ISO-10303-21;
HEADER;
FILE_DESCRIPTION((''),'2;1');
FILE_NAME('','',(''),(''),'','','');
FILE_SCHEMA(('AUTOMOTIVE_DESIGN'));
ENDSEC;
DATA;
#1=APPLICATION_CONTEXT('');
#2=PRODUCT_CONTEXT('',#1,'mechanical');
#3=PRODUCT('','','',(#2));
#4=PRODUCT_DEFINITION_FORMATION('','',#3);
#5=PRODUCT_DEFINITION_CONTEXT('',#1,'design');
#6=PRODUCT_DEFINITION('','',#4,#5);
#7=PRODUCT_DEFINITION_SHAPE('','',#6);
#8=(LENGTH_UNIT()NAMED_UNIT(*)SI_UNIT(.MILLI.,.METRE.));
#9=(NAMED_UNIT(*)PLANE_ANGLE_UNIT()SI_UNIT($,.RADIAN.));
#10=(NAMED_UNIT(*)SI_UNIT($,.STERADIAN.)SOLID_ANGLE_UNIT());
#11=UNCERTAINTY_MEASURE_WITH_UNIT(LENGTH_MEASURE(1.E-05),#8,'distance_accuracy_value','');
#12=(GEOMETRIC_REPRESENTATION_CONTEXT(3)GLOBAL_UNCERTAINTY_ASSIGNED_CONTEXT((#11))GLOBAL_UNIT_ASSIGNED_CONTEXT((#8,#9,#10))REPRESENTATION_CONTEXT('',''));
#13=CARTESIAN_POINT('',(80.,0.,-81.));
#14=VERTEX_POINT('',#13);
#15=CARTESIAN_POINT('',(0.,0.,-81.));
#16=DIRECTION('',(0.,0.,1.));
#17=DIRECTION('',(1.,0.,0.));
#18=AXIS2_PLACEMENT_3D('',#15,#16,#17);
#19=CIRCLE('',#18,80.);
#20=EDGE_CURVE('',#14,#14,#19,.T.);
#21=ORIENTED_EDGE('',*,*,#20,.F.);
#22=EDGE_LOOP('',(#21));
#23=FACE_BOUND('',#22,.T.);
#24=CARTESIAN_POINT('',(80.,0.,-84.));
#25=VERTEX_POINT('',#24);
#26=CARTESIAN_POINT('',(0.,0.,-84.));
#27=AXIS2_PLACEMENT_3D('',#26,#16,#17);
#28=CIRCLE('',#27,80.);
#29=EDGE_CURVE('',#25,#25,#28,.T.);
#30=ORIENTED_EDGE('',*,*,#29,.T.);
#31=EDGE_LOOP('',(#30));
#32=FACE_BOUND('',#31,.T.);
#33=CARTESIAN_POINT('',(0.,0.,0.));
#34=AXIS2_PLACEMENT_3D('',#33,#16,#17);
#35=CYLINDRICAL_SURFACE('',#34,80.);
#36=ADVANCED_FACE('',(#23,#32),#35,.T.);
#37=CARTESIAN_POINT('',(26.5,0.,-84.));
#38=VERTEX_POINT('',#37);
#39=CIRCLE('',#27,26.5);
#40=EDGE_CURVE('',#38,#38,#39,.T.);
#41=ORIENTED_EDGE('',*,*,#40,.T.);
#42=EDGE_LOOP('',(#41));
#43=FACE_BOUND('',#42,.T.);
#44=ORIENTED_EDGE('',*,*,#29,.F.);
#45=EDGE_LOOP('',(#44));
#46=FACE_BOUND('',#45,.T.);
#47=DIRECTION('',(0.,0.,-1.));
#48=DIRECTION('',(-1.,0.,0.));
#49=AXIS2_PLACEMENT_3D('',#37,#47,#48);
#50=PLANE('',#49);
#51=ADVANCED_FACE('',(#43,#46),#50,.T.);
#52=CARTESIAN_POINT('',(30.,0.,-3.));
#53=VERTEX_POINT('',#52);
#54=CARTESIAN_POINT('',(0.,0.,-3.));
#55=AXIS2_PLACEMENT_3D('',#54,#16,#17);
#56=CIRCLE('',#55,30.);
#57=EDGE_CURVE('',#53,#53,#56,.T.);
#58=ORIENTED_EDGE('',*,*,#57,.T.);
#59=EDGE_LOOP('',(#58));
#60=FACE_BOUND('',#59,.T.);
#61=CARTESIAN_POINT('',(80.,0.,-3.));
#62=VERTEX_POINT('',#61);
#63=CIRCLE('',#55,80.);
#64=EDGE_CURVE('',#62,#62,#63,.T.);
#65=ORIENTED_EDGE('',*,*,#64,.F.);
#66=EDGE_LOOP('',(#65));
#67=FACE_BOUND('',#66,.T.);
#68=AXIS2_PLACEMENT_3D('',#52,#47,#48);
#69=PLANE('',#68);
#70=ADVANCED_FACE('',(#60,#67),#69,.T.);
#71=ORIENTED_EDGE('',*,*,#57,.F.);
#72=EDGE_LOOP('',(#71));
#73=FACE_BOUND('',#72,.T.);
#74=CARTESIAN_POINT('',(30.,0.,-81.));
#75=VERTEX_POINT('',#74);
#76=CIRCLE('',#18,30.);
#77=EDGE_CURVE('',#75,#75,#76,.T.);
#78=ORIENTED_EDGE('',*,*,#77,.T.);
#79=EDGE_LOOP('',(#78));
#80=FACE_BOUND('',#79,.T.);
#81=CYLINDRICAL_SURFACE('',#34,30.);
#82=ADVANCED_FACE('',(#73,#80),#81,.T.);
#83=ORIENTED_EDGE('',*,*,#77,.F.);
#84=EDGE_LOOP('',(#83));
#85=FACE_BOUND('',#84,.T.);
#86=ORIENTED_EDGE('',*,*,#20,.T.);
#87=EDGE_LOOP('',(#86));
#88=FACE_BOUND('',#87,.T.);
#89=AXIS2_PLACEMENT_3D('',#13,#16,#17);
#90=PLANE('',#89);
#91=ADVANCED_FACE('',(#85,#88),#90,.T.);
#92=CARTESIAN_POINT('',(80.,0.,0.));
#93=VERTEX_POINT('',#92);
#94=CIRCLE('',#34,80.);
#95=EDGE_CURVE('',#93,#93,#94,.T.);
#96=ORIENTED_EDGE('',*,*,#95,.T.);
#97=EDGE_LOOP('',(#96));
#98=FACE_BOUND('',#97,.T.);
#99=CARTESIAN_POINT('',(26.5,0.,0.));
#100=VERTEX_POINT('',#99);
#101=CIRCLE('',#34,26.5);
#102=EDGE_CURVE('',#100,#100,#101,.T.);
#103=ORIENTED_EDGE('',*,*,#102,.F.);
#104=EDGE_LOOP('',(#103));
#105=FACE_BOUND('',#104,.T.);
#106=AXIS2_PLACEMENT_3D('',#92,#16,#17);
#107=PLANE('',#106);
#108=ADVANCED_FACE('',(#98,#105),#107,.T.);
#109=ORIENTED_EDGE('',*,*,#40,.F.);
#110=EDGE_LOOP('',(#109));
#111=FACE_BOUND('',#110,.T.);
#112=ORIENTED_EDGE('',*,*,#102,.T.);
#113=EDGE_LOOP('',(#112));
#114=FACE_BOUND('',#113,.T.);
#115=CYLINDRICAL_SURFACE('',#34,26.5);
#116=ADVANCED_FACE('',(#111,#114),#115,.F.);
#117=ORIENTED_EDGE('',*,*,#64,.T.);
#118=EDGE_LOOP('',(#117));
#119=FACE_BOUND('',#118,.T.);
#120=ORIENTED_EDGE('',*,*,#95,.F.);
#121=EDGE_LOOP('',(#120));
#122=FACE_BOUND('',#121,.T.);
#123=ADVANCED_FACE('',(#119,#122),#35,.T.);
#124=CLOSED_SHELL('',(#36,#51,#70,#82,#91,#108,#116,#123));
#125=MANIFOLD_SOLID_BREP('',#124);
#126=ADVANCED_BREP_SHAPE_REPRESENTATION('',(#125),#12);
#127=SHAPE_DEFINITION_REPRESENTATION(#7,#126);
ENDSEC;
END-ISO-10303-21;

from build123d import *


with BuildPart() as part:
    # Sketch1 → Revolve1 (revolve)
    with BuildSketch(Plane(origin=(0, 0, 0), x_dir=(1, 0, 0), z_dir=(0, 1, 0))):
        Polygon((26.5, 0), (26.5, 84), (80, 84), (80, 81), (30, 81), (30, 3), (80, 3), (80, 0), align=None)
    revolve(axis=Axis((0, 0, 0), (0, 0, -1)))


solid = part.part
